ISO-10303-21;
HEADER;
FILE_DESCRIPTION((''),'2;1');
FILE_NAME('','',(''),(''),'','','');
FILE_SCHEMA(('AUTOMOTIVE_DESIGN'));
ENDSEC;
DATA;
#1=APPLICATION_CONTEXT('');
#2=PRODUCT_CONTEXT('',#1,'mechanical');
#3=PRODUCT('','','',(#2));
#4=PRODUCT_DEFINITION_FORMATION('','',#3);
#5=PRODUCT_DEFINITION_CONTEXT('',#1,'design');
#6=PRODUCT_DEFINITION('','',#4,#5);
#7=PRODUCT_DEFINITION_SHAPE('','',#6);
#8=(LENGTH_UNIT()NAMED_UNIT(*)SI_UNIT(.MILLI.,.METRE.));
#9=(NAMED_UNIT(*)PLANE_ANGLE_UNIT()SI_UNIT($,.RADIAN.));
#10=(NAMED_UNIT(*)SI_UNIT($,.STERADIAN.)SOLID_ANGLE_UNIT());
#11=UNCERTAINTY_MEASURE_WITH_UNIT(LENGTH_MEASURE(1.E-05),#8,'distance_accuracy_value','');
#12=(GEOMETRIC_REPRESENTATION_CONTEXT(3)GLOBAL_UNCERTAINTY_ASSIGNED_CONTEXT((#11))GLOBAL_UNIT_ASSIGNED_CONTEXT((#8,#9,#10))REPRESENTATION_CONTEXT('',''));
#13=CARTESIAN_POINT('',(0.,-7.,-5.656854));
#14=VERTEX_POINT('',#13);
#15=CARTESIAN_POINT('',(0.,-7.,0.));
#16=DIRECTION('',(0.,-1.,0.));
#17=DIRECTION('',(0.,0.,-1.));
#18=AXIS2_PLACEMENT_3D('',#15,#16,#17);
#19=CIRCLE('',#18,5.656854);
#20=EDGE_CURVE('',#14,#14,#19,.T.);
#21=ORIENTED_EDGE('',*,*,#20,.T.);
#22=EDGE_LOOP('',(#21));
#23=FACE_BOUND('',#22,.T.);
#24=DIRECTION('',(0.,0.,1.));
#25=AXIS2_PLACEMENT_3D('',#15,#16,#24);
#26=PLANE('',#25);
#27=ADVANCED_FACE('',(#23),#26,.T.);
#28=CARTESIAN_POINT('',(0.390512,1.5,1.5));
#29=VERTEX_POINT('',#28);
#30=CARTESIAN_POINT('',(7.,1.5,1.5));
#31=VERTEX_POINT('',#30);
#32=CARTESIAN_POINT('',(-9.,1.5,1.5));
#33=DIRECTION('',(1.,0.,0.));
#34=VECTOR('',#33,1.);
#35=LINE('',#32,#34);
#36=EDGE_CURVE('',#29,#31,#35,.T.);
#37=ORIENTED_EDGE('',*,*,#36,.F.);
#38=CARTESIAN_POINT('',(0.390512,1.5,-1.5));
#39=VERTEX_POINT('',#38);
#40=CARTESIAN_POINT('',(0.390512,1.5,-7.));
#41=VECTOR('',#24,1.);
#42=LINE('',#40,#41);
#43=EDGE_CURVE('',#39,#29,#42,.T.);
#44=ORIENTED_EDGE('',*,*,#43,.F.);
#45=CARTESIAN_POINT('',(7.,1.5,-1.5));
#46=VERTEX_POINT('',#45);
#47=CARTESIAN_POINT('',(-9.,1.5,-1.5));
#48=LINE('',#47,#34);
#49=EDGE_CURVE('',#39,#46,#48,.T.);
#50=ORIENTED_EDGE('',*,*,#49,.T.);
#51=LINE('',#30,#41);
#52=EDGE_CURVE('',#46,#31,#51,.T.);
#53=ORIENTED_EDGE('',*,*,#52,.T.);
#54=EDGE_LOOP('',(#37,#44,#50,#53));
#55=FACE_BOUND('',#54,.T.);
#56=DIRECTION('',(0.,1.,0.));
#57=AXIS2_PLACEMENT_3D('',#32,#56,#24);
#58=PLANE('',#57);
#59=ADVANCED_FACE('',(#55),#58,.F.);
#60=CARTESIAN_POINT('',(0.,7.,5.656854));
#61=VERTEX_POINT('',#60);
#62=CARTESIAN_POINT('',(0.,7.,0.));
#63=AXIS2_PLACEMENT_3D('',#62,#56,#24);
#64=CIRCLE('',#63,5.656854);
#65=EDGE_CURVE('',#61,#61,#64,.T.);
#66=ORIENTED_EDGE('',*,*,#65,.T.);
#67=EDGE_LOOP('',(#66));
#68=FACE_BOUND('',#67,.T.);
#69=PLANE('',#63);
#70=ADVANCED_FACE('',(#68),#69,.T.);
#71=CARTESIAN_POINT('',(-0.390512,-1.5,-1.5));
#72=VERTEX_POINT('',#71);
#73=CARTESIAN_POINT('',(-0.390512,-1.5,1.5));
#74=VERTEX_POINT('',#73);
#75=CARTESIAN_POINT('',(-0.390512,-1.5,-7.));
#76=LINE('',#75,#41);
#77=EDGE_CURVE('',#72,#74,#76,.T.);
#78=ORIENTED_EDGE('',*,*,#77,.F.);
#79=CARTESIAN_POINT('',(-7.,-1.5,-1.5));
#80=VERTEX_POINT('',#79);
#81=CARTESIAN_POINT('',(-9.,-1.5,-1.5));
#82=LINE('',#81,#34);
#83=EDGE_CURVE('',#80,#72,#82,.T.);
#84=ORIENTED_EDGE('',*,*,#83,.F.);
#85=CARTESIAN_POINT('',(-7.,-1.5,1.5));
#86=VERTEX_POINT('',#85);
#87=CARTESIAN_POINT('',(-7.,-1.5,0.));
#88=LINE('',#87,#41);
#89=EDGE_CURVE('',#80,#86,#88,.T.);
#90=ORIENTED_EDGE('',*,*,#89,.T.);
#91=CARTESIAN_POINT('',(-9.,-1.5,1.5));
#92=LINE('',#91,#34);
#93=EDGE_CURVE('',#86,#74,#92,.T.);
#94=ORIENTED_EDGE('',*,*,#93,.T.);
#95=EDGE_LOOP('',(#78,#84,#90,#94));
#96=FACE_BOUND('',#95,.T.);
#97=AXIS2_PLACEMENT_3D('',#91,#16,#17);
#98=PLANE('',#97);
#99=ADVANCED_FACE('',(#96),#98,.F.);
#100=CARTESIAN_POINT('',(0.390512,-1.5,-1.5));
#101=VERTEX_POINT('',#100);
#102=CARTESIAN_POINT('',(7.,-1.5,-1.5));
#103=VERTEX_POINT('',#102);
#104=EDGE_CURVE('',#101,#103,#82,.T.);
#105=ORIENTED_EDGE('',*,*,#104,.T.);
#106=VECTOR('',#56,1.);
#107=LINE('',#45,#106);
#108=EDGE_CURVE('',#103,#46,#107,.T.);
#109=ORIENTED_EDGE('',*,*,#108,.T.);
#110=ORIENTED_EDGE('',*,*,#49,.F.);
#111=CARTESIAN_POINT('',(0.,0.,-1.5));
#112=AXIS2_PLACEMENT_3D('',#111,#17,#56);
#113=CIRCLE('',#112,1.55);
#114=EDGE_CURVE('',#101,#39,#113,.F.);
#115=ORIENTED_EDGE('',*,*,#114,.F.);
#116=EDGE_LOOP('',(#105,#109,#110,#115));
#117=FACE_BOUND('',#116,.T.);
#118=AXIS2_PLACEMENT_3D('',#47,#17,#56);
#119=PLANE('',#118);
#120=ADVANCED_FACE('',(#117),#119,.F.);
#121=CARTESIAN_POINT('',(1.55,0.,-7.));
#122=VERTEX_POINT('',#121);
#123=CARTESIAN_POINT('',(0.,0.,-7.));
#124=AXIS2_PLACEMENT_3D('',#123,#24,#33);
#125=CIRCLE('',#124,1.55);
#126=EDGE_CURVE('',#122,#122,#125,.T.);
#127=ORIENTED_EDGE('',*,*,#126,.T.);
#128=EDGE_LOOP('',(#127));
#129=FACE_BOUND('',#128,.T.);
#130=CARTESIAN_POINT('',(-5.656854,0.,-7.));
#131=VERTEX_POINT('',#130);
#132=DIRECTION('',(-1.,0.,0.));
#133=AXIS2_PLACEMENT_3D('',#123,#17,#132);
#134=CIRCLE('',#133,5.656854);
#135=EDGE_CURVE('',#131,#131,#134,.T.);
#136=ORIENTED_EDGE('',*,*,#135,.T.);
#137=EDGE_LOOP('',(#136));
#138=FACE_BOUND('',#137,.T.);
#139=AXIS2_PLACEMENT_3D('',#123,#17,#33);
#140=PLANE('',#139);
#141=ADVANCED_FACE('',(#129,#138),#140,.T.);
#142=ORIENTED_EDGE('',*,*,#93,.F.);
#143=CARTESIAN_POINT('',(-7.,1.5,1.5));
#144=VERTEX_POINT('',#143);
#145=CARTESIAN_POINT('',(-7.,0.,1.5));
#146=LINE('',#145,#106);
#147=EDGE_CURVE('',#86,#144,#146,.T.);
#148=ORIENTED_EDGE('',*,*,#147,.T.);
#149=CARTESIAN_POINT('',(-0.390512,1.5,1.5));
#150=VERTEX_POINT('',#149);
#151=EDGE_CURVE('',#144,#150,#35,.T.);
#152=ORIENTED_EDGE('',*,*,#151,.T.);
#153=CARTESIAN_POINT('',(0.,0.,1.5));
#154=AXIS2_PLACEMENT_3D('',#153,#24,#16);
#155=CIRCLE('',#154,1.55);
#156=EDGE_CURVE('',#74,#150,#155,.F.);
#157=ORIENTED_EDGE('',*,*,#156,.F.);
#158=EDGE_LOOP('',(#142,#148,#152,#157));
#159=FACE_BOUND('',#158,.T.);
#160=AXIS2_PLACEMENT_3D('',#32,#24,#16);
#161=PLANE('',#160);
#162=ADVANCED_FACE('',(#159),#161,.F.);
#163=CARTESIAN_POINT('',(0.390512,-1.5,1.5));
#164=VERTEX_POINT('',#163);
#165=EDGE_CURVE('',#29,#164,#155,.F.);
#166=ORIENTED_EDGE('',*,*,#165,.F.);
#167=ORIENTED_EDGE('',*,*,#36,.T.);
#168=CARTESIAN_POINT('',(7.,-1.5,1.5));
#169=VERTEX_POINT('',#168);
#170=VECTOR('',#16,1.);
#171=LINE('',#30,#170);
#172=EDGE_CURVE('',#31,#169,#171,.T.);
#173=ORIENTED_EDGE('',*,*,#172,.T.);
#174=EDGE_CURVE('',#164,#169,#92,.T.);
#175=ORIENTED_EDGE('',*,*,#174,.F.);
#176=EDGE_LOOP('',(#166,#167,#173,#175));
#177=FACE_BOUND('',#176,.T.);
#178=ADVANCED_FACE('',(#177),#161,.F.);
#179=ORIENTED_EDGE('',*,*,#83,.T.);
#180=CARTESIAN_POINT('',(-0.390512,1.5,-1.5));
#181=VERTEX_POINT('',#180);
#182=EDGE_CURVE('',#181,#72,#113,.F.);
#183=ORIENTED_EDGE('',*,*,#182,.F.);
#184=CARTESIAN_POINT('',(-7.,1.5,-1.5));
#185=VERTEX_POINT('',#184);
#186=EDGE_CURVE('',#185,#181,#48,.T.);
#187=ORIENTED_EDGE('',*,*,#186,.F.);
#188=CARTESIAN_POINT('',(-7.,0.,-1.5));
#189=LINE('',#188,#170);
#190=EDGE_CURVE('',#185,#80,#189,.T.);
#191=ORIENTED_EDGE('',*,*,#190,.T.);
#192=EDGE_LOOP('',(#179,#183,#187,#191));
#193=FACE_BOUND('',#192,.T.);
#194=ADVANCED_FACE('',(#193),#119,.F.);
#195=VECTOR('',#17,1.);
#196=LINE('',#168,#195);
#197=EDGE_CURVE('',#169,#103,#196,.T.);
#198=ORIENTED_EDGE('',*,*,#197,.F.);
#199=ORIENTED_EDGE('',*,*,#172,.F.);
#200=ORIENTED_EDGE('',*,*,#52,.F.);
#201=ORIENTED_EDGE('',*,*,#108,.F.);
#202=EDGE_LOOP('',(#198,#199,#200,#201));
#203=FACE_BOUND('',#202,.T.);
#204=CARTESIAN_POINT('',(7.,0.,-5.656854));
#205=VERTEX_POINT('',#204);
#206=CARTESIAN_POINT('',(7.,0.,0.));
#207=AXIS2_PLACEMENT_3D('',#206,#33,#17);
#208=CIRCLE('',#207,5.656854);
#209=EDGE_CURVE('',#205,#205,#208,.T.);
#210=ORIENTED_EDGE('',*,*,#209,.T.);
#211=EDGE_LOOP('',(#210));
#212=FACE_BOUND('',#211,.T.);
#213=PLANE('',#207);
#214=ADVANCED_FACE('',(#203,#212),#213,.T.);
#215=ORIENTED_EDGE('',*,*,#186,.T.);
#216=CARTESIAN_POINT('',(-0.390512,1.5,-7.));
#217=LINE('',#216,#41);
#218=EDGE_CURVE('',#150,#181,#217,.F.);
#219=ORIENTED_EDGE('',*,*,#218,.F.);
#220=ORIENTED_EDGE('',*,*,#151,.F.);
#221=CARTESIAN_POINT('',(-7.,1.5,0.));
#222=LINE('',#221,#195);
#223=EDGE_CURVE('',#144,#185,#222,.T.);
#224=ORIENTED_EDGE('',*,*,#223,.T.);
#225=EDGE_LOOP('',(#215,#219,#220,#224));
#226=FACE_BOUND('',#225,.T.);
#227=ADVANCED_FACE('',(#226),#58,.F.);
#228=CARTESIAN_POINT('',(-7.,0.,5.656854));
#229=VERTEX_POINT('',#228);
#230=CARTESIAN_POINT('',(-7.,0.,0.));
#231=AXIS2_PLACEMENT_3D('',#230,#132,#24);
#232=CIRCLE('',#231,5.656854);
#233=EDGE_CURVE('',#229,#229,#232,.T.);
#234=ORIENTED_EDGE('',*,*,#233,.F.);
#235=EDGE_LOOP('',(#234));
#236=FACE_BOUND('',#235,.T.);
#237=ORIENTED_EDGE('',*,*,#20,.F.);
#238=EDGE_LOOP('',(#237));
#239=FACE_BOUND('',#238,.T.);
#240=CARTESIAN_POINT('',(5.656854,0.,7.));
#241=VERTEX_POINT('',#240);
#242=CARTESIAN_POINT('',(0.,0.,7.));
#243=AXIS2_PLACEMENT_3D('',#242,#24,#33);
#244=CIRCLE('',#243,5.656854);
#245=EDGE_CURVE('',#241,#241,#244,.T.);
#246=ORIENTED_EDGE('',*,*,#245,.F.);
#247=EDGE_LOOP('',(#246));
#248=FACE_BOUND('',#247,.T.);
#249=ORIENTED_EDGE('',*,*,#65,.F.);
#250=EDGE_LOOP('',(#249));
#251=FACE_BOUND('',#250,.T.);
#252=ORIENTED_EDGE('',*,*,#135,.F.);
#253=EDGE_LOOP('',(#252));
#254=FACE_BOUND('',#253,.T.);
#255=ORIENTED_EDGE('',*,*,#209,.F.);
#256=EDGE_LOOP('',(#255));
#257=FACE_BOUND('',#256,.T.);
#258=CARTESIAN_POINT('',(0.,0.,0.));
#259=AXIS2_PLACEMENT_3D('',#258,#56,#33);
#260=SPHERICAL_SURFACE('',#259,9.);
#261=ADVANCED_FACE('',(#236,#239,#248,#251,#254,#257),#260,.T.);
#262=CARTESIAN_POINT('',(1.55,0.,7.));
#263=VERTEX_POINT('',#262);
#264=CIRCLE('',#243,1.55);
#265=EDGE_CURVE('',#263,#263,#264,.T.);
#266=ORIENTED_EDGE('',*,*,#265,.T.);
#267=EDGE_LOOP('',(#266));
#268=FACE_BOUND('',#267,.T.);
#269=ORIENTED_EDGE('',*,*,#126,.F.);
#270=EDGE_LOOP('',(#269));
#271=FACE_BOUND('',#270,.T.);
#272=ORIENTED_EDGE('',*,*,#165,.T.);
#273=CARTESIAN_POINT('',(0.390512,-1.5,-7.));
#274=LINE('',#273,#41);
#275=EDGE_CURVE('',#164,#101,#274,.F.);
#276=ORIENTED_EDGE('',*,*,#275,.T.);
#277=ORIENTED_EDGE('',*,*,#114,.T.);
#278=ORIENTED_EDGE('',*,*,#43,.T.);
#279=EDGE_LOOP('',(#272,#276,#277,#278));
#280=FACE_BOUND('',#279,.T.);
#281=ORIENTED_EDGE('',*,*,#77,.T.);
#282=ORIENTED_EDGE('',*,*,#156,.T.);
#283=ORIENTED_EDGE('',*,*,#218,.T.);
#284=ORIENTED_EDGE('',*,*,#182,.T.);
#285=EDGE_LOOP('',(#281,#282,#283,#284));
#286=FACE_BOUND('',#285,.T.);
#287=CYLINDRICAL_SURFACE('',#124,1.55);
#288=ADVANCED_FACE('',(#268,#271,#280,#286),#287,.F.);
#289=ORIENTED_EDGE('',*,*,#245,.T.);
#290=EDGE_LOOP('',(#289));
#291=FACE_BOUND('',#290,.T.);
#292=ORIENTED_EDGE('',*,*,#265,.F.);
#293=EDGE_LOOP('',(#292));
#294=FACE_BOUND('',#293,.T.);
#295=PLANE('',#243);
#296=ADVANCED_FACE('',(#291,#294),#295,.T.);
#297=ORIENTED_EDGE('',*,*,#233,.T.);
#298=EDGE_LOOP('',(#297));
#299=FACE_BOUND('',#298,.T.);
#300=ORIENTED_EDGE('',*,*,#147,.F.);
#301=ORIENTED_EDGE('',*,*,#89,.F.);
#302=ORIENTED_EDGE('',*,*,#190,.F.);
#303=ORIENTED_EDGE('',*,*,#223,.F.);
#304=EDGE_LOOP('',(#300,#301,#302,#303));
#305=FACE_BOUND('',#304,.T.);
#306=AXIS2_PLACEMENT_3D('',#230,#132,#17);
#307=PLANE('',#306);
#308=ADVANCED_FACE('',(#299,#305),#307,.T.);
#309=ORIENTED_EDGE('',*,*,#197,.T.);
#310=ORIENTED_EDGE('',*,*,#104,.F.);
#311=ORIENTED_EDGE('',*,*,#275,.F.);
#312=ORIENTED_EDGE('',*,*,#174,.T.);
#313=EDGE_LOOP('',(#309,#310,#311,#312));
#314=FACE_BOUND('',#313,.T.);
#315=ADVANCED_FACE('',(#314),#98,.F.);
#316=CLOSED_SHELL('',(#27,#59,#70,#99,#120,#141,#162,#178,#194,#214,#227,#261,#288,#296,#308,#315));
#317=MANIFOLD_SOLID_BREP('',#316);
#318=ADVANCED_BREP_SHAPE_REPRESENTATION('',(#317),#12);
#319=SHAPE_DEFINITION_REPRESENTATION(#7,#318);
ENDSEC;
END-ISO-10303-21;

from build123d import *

# Parameters (mm, degrees)
SKETCH_6_R          = 10
CUT_EXTRUDE_4_DEPTH = 2
SKETCH_7_R          = 10
CUT_EXTRUDE_5_DEPTH = 2
SKETCH_8_R          = 10
CUT_EXTRUDE_6_DEPTH = 2
SKETCH_9_R          = 1.55
CUT_EXTRUDE_7_DEPTH = 15
SKETCH_11_W         = 3
SKETCH_11_H         = 3
CUT_EXTRUDE_9_DEPTH = 15


with BuildPart() as part:
    # 스케치1 → 회전42 (revolve)
    with BuildSketch(Plane.XY):
        with BuildLine():
            Line((0, 9), (0, -9))
            ThreePointArc((0, -9), (9, 0), (0, 9))
        make_face()
    revolve(axis=Axis((0, 9, 0), (0, -1, 0)))

    # 스케치6 → 컷-돌출4 (cut)
    with BuildSketch(Plane.XY.offset(9)):
        Circle(SKETCH_6_R)
    cut_extrude_4 = extrude(amount=-CUT_EXTRUDE_4_DEPTH, mode=Mode.SUBTRACT)

    # 대칭 복사4: 컷-돌출4 across plane
    add(cut_extrude_4.mirror(Plane.XY), mode=Mode.SUBTRACT)

    # 스케치7 → 컷-돌출5 (cut)
    with BuildSketch(Plane(origin=(0, 9, 0), x_dir=(1, 0, 0), z_dir=(0, 1, 0))):
        Circle(SKETCH_7_R)
    cut_extrude_5 = extrude(amount=-CUT_EXTRUDE_5_DEPTH, mode=Mode.SUBTRACT)

    # 대칭 복사5: 컷-돌출5 across plane
    add(cut_extrude_5.mirror(Plane.ZX), mode=Mode.SUBTRACT)

    # 스케치8 → 컷-돌출6 (cut)
    with BuildSketch(Plane(origin=(9, 0, 0), x_dir=(0, 0, -1), z_dir=(1, 0, 0))):
        Circle(SKETCH_8_R)
    cut_extrude_6 = extrude(amount=-CUT_EXTRUDE_6_DEPTH, mode=Mode.SUBTRACT)

    # 대칭 복사6: 컷-돌출6 across plane
    add(cut_extrude_6.mirror(Plane(origin=(0, 0, 0), x_dir=(0, 0, 1), z_dir=(1, 0, 0))), mode=Mode.SUBTRACT)

    # 스케치9 → 컷-돌출7 (cut, through all)
    with BuildSketch(Plane.XY.offset(7)):
        Circle(SKETCH_9_R)
    extrude(amount=-CUT_EXTRUDE_7_DEPTH, mode=Mode.SUBTRACT)

    # 스케치11 → 컷-돌출9 (cut, through all)
    with BuildSketch(Plane(origin=(7, 0, 0), x_dir=(0, 0, -1), z_dir=(1, 0, 0))):
        Rectangle(SKETCH_11_W, SKETCH_11_H)
    extrude(amount=-CUT_EXTRUDE_9_DEPTH, mode=Mode.SUBTRACT)


solid = part.part
